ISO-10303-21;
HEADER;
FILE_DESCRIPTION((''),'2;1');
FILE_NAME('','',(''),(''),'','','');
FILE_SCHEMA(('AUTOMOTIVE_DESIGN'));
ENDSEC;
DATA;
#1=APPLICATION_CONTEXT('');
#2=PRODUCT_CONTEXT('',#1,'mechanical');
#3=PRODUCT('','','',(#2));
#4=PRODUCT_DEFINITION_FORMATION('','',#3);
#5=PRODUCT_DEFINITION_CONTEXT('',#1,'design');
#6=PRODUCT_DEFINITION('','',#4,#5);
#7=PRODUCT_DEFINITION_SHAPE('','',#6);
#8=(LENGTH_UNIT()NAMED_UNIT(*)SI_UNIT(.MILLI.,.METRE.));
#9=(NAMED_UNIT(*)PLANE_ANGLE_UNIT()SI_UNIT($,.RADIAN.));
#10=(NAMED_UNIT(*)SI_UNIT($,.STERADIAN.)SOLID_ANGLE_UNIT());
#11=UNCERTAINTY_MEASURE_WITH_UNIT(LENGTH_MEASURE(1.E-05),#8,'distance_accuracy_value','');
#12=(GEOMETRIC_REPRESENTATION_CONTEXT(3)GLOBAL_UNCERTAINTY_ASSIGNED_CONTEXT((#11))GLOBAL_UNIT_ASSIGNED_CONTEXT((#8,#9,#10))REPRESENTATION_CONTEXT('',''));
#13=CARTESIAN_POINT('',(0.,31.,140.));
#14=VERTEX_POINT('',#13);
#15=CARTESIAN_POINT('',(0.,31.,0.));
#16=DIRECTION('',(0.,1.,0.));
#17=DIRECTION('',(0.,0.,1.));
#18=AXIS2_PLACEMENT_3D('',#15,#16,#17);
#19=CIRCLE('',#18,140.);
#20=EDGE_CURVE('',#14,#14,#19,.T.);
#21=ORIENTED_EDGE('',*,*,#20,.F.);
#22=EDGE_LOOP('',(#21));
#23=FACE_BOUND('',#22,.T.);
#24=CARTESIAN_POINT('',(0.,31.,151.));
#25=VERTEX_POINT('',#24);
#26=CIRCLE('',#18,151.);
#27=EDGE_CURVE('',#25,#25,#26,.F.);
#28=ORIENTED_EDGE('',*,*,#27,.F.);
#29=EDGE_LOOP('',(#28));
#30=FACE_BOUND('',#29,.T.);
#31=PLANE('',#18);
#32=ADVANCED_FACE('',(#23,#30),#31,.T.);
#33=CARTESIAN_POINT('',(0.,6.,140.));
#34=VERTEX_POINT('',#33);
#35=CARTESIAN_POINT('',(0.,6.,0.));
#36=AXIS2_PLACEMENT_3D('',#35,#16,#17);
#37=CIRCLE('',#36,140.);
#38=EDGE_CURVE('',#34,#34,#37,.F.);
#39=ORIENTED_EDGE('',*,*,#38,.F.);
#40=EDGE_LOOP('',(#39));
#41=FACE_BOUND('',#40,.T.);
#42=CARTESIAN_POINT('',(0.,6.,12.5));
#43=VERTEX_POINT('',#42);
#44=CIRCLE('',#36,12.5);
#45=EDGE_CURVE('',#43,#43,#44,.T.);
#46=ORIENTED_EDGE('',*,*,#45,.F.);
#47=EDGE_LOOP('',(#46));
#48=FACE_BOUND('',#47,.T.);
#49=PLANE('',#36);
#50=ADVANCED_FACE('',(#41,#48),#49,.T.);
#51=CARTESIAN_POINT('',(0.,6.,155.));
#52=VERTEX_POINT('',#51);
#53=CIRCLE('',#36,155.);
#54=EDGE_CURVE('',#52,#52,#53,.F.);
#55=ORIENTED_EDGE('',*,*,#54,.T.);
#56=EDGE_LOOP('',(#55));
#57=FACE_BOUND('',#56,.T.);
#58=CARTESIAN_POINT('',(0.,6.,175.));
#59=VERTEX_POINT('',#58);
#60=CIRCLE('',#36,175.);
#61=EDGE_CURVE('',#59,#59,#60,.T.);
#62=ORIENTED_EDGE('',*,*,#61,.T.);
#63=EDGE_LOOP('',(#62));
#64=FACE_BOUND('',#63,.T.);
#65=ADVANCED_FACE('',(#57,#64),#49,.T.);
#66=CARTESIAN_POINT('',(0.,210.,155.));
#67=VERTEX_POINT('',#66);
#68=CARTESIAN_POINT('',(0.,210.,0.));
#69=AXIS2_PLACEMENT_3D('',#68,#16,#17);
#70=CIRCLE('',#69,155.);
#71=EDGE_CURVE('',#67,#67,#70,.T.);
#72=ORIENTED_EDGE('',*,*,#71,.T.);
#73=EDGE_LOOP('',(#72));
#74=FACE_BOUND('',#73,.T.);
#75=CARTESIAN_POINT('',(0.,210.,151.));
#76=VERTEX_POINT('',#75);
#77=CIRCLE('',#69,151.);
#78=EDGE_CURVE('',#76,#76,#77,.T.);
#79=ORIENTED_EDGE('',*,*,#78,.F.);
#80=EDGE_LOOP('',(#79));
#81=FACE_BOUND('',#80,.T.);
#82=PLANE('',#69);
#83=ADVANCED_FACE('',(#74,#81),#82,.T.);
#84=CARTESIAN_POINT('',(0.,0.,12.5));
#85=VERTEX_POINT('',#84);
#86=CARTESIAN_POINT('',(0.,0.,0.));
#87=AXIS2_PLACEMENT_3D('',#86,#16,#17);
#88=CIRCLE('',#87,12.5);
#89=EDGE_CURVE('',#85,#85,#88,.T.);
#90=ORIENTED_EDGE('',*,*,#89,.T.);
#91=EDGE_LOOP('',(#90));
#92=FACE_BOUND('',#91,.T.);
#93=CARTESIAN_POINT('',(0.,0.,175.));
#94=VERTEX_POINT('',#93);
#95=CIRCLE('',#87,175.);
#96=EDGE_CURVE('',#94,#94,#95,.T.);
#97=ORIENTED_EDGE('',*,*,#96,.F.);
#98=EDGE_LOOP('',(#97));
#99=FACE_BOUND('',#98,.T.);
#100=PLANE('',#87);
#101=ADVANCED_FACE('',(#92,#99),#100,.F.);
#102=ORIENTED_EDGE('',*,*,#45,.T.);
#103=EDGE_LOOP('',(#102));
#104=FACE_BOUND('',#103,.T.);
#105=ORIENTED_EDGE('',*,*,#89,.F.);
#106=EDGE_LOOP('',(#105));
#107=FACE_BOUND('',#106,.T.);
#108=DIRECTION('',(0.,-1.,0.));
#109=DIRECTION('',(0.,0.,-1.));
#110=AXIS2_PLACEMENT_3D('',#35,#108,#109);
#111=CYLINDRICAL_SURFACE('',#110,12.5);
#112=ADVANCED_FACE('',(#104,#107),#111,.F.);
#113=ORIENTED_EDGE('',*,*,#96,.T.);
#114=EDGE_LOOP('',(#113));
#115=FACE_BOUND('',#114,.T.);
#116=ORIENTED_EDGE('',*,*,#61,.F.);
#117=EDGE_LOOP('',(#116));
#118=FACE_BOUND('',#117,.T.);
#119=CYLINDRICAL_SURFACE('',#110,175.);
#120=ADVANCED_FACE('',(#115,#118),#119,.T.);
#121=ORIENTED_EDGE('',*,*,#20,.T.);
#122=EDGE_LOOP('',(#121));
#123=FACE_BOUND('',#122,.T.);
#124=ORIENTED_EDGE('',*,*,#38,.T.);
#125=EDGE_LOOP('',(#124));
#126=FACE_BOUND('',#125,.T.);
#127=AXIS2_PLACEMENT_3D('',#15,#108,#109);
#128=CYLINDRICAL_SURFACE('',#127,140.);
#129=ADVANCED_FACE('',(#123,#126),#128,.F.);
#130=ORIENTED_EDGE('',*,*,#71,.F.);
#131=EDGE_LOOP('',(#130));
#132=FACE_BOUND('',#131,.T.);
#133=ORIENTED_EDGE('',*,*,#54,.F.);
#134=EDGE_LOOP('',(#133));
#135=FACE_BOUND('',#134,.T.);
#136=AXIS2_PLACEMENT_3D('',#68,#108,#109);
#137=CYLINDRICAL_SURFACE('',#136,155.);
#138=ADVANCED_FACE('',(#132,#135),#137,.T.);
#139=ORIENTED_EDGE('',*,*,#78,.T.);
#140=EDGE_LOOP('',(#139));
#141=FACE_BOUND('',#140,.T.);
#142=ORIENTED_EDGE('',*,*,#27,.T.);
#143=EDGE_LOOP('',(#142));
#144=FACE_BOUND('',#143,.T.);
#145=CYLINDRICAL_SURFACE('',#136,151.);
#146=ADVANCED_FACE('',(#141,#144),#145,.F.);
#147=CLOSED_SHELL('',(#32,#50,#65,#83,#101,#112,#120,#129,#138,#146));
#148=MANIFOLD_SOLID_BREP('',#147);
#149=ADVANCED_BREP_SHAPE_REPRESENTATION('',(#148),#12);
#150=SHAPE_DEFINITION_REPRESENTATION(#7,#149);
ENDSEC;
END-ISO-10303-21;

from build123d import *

# Parameters (mm, degrees)
FLOOR_SKETCH_R          = 175
FLOOR_SKETCH_R_2        = 12.5
FLOOR_TANK_LID_DEPTH    = 6
BASKET_LEDGE_SKETCH_R   = 152
BASKET_LEDGE_SKETCH_R_2 = 140
BASKET_LEDGE_DEPTH      = 31
HOUSING_WALL_SKETCH_R   = 155
HOUSING_WALL_SKETCH_R_2 = 151
HOUSING_WALL_DEPTH      = 210


with BuildPart() as part:
    # Floor Sketch → Floor - Tank Lid (new body)
    with BuildSketch(Plane(origin=(0, 0, 0), x_dir=(1, 0, 0), z_dir=(0, 1, 0))):
        with Locations(Location((0, 0, 0), (0, 0, 270))):
            Circle(FLOOR_SKETCH_R)
        with Locations(Location((0, 0, 0), (0, 0, 270))):
            Circle(FLOOR_SKETCH_R_2, mode=Mode.SUBTRACT)
    extrude(amount=FLOOR_TANK_LID_DEPTH)

    # Basket Ledge Sketch → Basket Ledge (add)
    with BuildSketch(Plane(origin=(0, 0, 0), x_dir=(1, 0, 0), z_dir=(0, 1, 0))):
        with Locations(Location((0, 0, 0), (0, 0, 270))):
            Circle(BASKET_LEDGE_SKETCH_R)
        with Locations(Location((0, 0, 0), (0, 0, 270))):
            Circle(BASKET_LEDGE_SKETCH_R_2, mode=Mode.SUBTRACT)
    extrude(amount=BASKET_LEDGE_DEPTH)

    # Housing Wall Sketch → Housing Wall (add)
    with BuildSketch(Plane(origin=(0, 0, 0), x_dir=(1, 0, 0), z_dir=(0, 1, 0))):
        with Locations(Location((0, 0, 0), (0, 0, 270))):
            Circle(HOUSING_WALL_SKETCH_R)
        with Locations(Location((0, 0, 0), (0, 0, 270))):
            Circle(HOUSING_WALL_SKETCH_R_2, mode=Mode.SUBTRACT)
    extrude(amount=HOUSING_WALL_DEPTH)


solid = part.part
